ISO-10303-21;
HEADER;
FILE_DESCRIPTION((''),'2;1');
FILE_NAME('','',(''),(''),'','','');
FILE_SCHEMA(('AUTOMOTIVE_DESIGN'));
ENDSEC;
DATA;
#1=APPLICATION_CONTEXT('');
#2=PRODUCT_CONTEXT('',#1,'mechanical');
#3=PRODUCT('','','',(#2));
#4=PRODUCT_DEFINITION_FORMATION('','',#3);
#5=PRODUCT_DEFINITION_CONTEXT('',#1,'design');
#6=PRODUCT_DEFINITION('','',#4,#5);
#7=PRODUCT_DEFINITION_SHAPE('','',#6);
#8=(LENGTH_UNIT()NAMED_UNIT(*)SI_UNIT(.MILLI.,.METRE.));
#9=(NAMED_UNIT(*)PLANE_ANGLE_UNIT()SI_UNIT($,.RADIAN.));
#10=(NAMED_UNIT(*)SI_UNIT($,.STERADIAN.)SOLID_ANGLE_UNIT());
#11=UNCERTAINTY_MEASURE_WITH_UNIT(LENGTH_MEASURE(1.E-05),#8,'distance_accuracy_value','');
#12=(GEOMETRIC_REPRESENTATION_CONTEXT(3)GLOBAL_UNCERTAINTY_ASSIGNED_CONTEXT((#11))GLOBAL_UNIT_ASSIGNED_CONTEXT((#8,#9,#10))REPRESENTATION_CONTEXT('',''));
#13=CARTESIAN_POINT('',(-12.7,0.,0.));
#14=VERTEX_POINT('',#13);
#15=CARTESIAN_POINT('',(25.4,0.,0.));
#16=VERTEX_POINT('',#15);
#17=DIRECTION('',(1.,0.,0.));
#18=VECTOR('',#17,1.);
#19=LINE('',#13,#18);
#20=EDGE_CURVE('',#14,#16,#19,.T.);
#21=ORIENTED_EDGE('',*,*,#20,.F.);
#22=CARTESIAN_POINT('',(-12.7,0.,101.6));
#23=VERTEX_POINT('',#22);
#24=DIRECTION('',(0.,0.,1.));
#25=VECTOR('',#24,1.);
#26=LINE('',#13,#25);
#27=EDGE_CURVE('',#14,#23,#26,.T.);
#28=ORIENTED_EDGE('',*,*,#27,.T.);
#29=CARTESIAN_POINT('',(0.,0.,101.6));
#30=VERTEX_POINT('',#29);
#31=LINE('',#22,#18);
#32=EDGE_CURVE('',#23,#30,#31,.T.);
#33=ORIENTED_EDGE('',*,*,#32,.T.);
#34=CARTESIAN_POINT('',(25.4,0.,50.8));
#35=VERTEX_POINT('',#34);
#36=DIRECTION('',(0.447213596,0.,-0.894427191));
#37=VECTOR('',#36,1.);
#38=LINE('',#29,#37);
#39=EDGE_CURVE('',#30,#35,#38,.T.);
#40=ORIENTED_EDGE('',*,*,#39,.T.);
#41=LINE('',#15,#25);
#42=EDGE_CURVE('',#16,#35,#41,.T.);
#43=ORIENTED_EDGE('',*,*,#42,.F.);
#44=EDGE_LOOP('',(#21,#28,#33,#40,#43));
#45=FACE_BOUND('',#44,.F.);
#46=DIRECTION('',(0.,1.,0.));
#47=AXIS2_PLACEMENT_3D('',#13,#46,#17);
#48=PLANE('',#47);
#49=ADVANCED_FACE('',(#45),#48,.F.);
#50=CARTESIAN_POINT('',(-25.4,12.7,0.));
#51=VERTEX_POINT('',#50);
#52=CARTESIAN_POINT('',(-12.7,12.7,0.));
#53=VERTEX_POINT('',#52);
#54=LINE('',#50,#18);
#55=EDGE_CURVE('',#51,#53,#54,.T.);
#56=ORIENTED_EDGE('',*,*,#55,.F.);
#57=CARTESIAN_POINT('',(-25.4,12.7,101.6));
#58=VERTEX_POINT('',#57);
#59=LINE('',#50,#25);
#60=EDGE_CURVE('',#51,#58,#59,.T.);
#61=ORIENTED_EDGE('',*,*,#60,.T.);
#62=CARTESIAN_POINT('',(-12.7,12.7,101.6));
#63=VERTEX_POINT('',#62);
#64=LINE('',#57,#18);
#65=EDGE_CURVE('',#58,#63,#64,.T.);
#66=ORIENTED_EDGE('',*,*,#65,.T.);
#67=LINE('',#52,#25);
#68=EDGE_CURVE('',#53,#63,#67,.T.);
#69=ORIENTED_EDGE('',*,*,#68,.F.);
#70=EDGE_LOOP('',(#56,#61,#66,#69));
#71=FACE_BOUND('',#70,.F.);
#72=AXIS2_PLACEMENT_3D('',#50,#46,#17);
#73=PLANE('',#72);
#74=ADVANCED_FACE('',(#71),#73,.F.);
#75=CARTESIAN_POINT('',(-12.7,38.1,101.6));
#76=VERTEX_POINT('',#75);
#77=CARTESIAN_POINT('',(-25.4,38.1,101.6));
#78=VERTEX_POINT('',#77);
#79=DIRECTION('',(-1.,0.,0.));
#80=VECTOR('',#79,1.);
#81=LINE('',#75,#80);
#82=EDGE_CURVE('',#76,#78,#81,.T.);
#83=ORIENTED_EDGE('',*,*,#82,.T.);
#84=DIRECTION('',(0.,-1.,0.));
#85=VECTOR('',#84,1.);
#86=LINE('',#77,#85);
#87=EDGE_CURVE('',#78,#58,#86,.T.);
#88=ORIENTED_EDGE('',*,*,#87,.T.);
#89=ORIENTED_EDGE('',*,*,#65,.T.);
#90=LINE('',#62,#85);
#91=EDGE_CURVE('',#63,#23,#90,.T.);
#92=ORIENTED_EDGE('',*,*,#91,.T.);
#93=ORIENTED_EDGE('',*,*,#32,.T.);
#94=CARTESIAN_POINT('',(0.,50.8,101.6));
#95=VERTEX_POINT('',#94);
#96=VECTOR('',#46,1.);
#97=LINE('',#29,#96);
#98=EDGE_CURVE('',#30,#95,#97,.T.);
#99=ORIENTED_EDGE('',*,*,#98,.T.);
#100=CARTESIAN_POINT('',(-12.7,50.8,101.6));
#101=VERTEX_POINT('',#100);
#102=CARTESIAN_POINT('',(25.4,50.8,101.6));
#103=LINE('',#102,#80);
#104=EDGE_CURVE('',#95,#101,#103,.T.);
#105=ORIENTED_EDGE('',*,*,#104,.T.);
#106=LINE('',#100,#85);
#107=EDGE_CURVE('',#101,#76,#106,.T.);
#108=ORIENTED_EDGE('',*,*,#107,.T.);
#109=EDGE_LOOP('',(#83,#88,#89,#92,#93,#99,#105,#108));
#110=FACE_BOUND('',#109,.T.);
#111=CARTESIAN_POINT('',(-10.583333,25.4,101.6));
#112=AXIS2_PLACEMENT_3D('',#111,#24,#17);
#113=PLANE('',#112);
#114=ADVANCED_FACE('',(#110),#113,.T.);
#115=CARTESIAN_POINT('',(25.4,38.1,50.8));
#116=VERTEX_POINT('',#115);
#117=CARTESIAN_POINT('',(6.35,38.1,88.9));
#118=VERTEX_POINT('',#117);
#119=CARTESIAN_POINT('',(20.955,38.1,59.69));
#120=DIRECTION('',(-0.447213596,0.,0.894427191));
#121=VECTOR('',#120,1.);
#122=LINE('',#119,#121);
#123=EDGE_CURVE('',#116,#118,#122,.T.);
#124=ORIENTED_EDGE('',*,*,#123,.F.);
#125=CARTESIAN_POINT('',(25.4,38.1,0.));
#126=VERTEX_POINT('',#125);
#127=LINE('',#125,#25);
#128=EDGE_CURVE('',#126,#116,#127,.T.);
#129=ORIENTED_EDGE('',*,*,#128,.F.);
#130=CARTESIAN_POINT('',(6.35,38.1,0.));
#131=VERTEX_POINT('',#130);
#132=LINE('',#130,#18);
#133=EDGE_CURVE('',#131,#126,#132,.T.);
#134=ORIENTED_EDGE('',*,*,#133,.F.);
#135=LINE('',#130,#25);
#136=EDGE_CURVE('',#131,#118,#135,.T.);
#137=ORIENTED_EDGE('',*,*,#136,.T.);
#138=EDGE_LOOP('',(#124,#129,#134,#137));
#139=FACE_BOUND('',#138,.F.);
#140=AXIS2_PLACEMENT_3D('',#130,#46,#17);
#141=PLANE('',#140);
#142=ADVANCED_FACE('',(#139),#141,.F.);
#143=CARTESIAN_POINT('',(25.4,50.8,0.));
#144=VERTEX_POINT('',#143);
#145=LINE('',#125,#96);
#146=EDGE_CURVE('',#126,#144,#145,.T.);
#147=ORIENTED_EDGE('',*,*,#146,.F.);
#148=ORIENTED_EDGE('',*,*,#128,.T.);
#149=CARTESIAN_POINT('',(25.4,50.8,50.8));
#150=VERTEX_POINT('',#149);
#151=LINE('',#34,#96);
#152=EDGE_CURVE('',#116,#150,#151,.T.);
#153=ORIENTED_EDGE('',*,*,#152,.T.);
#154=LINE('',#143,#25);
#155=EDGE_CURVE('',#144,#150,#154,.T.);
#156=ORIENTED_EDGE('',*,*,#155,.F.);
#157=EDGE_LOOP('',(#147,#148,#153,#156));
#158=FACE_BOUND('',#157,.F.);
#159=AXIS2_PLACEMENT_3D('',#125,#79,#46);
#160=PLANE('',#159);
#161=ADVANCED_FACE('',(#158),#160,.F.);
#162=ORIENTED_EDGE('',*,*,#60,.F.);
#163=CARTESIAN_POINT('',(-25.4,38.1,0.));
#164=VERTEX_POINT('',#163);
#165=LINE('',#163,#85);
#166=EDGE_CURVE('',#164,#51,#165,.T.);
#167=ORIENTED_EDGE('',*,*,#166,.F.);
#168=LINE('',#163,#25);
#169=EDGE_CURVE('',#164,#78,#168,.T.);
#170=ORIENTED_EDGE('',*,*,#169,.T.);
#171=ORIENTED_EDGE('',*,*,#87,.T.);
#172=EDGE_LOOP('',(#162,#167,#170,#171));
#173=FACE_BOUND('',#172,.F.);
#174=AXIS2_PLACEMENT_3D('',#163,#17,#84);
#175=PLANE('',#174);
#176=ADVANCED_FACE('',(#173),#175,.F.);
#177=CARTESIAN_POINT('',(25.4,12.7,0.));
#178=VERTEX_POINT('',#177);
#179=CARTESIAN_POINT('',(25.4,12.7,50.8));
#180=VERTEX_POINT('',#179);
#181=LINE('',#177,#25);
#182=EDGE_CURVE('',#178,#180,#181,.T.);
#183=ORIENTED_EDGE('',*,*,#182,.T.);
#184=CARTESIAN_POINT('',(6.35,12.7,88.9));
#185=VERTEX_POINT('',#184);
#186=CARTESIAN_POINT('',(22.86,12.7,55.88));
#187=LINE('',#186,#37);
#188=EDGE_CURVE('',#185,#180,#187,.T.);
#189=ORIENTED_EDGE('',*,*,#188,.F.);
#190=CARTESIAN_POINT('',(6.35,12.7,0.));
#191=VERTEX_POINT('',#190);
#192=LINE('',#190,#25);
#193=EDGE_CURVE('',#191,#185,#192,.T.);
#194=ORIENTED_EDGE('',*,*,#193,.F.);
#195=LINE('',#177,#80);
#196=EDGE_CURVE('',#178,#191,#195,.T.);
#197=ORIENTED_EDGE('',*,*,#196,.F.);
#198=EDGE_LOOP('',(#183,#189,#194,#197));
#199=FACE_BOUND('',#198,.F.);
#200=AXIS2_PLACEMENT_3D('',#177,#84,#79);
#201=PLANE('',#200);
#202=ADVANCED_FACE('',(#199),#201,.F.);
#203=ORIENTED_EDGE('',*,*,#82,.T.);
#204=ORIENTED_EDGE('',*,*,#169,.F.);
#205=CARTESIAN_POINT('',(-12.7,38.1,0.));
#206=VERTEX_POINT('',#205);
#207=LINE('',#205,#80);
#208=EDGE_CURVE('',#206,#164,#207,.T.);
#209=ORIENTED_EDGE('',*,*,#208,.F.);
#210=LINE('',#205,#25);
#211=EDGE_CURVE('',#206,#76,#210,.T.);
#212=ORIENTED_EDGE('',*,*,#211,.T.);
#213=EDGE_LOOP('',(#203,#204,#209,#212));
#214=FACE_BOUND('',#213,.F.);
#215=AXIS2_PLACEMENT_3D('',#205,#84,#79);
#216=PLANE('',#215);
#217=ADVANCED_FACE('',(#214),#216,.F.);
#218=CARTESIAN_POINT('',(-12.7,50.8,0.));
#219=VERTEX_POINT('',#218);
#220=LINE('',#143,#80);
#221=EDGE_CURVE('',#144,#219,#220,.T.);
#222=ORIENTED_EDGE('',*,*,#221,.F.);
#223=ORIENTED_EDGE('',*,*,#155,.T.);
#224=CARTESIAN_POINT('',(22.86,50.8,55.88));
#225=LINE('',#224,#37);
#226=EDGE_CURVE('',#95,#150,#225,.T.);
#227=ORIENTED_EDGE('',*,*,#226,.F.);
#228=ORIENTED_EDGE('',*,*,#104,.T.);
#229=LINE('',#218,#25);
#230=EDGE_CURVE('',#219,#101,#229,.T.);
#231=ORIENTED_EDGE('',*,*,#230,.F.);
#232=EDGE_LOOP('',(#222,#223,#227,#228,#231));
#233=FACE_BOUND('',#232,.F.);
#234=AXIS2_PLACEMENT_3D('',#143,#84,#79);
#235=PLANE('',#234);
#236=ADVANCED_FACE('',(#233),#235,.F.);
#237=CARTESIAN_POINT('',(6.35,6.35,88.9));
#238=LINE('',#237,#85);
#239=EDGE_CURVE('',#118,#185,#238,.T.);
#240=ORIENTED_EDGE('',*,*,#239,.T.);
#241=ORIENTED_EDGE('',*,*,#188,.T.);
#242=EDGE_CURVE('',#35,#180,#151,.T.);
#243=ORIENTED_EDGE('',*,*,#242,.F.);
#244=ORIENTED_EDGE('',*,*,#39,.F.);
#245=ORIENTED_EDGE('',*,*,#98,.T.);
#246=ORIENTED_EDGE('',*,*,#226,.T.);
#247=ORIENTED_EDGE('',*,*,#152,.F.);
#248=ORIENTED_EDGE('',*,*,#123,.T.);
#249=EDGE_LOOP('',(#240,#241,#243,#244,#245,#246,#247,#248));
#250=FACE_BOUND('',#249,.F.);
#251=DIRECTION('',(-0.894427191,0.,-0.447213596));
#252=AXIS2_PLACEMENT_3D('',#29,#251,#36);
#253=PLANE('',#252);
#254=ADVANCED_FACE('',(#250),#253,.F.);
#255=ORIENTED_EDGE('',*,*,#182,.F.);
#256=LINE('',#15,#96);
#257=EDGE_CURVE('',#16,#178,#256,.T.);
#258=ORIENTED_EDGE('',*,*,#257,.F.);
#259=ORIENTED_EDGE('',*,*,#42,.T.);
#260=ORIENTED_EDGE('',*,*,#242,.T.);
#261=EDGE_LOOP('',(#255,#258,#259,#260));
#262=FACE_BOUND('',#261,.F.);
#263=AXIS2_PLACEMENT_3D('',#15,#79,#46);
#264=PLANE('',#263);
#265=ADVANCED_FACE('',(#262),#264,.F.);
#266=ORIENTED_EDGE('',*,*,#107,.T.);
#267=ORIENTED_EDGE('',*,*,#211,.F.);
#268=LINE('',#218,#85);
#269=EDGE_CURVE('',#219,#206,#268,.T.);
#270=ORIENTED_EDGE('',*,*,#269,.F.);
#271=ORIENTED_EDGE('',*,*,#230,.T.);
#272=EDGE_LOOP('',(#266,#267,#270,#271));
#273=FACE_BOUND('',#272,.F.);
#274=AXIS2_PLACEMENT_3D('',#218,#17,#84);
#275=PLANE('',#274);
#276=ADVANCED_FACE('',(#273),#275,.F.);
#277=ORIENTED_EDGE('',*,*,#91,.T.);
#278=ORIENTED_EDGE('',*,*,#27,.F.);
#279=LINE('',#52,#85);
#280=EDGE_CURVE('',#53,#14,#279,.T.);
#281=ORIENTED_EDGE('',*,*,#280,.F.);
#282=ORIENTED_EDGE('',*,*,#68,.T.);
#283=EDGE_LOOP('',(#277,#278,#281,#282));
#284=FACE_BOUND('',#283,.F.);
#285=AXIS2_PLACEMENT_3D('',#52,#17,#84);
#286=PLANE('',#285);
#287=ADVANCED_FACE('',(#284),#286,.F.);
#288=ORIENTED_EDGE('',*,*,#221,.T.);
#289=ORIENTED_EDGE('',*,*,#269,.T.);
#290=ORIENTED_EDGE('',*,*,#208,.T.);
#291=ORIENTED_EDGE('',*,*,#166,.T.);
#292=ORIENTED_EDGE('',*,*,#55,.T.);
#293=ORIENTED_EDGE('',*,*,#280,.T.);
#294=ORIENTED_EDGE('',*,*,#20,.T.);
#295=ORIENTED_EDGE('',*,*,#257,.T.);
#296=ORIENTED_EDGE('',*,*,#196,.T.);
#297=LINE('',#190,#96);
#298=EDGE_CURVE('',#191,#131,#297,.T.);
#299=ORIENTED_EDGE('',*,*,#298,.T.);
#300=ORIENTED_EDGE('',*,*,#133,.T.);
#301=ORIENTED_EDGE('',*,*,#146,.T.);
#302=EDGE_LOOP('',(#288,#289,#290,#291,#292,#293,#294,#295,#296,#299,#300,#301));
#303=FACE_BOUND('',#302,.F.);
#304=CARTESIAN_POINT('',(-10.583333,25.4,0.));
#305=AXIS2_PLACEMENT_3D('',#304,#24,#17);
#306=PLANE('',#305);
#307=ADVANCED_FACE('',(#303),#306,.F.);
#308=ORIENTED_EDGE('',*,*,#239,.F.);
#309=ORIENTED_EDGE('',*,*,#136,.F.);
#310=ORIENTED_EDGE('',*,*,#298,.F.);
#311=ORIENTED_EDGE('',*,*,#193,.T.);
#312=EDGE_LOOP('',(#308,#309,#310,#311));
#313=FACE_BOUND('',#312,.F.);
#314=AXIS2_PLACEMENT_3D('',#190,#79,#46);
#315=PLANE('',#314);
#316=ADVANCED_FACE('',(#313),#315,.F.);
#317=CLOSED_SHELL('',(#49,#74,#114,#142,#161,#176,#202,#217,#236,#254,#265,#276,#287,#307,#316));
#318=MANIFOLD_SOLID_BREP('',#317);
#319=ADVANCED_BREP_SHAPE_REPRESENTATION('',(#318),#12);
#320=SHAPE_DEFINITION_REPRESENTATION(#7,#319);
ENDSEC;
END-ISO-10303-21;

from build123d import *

# Parameters (mm, degrees)
F1_DEPTH = 101.6
F3_DEPTH = 50.801


with BuildPart() as f1:
    # F0 (on Top) → F1 (new body)
    with BuildSketch(Plane.XY):
        Polygon((-12.7, 0), (0, 0), (0, 50.8), (-12.7, 50.8), (-12.7, 38.1), (-25.4, 38.1), (-25.4, 12.7), (-12.7, 12.7), align=None)
        Polygon((0, 50.8), (0, 0), (25.4, 0), (25.4, 12.7), (6.35, 12.7), (6.35, 38.1), (25.4, 38.1), (25.4, 50.8), align=None)
    extrude(amount=F1_DEPTH)

    # F2 (on face) → F3 (cut, through all)
    with BuildSketch(Plane.XZ):
        Polygon((25.4, 101.6), (0, 101.6), (25.4, 50.8), align=None)
    extrude(amount=-F3_DEPTH, mode=Mode.SUBTRACT)


solid = f1.part
